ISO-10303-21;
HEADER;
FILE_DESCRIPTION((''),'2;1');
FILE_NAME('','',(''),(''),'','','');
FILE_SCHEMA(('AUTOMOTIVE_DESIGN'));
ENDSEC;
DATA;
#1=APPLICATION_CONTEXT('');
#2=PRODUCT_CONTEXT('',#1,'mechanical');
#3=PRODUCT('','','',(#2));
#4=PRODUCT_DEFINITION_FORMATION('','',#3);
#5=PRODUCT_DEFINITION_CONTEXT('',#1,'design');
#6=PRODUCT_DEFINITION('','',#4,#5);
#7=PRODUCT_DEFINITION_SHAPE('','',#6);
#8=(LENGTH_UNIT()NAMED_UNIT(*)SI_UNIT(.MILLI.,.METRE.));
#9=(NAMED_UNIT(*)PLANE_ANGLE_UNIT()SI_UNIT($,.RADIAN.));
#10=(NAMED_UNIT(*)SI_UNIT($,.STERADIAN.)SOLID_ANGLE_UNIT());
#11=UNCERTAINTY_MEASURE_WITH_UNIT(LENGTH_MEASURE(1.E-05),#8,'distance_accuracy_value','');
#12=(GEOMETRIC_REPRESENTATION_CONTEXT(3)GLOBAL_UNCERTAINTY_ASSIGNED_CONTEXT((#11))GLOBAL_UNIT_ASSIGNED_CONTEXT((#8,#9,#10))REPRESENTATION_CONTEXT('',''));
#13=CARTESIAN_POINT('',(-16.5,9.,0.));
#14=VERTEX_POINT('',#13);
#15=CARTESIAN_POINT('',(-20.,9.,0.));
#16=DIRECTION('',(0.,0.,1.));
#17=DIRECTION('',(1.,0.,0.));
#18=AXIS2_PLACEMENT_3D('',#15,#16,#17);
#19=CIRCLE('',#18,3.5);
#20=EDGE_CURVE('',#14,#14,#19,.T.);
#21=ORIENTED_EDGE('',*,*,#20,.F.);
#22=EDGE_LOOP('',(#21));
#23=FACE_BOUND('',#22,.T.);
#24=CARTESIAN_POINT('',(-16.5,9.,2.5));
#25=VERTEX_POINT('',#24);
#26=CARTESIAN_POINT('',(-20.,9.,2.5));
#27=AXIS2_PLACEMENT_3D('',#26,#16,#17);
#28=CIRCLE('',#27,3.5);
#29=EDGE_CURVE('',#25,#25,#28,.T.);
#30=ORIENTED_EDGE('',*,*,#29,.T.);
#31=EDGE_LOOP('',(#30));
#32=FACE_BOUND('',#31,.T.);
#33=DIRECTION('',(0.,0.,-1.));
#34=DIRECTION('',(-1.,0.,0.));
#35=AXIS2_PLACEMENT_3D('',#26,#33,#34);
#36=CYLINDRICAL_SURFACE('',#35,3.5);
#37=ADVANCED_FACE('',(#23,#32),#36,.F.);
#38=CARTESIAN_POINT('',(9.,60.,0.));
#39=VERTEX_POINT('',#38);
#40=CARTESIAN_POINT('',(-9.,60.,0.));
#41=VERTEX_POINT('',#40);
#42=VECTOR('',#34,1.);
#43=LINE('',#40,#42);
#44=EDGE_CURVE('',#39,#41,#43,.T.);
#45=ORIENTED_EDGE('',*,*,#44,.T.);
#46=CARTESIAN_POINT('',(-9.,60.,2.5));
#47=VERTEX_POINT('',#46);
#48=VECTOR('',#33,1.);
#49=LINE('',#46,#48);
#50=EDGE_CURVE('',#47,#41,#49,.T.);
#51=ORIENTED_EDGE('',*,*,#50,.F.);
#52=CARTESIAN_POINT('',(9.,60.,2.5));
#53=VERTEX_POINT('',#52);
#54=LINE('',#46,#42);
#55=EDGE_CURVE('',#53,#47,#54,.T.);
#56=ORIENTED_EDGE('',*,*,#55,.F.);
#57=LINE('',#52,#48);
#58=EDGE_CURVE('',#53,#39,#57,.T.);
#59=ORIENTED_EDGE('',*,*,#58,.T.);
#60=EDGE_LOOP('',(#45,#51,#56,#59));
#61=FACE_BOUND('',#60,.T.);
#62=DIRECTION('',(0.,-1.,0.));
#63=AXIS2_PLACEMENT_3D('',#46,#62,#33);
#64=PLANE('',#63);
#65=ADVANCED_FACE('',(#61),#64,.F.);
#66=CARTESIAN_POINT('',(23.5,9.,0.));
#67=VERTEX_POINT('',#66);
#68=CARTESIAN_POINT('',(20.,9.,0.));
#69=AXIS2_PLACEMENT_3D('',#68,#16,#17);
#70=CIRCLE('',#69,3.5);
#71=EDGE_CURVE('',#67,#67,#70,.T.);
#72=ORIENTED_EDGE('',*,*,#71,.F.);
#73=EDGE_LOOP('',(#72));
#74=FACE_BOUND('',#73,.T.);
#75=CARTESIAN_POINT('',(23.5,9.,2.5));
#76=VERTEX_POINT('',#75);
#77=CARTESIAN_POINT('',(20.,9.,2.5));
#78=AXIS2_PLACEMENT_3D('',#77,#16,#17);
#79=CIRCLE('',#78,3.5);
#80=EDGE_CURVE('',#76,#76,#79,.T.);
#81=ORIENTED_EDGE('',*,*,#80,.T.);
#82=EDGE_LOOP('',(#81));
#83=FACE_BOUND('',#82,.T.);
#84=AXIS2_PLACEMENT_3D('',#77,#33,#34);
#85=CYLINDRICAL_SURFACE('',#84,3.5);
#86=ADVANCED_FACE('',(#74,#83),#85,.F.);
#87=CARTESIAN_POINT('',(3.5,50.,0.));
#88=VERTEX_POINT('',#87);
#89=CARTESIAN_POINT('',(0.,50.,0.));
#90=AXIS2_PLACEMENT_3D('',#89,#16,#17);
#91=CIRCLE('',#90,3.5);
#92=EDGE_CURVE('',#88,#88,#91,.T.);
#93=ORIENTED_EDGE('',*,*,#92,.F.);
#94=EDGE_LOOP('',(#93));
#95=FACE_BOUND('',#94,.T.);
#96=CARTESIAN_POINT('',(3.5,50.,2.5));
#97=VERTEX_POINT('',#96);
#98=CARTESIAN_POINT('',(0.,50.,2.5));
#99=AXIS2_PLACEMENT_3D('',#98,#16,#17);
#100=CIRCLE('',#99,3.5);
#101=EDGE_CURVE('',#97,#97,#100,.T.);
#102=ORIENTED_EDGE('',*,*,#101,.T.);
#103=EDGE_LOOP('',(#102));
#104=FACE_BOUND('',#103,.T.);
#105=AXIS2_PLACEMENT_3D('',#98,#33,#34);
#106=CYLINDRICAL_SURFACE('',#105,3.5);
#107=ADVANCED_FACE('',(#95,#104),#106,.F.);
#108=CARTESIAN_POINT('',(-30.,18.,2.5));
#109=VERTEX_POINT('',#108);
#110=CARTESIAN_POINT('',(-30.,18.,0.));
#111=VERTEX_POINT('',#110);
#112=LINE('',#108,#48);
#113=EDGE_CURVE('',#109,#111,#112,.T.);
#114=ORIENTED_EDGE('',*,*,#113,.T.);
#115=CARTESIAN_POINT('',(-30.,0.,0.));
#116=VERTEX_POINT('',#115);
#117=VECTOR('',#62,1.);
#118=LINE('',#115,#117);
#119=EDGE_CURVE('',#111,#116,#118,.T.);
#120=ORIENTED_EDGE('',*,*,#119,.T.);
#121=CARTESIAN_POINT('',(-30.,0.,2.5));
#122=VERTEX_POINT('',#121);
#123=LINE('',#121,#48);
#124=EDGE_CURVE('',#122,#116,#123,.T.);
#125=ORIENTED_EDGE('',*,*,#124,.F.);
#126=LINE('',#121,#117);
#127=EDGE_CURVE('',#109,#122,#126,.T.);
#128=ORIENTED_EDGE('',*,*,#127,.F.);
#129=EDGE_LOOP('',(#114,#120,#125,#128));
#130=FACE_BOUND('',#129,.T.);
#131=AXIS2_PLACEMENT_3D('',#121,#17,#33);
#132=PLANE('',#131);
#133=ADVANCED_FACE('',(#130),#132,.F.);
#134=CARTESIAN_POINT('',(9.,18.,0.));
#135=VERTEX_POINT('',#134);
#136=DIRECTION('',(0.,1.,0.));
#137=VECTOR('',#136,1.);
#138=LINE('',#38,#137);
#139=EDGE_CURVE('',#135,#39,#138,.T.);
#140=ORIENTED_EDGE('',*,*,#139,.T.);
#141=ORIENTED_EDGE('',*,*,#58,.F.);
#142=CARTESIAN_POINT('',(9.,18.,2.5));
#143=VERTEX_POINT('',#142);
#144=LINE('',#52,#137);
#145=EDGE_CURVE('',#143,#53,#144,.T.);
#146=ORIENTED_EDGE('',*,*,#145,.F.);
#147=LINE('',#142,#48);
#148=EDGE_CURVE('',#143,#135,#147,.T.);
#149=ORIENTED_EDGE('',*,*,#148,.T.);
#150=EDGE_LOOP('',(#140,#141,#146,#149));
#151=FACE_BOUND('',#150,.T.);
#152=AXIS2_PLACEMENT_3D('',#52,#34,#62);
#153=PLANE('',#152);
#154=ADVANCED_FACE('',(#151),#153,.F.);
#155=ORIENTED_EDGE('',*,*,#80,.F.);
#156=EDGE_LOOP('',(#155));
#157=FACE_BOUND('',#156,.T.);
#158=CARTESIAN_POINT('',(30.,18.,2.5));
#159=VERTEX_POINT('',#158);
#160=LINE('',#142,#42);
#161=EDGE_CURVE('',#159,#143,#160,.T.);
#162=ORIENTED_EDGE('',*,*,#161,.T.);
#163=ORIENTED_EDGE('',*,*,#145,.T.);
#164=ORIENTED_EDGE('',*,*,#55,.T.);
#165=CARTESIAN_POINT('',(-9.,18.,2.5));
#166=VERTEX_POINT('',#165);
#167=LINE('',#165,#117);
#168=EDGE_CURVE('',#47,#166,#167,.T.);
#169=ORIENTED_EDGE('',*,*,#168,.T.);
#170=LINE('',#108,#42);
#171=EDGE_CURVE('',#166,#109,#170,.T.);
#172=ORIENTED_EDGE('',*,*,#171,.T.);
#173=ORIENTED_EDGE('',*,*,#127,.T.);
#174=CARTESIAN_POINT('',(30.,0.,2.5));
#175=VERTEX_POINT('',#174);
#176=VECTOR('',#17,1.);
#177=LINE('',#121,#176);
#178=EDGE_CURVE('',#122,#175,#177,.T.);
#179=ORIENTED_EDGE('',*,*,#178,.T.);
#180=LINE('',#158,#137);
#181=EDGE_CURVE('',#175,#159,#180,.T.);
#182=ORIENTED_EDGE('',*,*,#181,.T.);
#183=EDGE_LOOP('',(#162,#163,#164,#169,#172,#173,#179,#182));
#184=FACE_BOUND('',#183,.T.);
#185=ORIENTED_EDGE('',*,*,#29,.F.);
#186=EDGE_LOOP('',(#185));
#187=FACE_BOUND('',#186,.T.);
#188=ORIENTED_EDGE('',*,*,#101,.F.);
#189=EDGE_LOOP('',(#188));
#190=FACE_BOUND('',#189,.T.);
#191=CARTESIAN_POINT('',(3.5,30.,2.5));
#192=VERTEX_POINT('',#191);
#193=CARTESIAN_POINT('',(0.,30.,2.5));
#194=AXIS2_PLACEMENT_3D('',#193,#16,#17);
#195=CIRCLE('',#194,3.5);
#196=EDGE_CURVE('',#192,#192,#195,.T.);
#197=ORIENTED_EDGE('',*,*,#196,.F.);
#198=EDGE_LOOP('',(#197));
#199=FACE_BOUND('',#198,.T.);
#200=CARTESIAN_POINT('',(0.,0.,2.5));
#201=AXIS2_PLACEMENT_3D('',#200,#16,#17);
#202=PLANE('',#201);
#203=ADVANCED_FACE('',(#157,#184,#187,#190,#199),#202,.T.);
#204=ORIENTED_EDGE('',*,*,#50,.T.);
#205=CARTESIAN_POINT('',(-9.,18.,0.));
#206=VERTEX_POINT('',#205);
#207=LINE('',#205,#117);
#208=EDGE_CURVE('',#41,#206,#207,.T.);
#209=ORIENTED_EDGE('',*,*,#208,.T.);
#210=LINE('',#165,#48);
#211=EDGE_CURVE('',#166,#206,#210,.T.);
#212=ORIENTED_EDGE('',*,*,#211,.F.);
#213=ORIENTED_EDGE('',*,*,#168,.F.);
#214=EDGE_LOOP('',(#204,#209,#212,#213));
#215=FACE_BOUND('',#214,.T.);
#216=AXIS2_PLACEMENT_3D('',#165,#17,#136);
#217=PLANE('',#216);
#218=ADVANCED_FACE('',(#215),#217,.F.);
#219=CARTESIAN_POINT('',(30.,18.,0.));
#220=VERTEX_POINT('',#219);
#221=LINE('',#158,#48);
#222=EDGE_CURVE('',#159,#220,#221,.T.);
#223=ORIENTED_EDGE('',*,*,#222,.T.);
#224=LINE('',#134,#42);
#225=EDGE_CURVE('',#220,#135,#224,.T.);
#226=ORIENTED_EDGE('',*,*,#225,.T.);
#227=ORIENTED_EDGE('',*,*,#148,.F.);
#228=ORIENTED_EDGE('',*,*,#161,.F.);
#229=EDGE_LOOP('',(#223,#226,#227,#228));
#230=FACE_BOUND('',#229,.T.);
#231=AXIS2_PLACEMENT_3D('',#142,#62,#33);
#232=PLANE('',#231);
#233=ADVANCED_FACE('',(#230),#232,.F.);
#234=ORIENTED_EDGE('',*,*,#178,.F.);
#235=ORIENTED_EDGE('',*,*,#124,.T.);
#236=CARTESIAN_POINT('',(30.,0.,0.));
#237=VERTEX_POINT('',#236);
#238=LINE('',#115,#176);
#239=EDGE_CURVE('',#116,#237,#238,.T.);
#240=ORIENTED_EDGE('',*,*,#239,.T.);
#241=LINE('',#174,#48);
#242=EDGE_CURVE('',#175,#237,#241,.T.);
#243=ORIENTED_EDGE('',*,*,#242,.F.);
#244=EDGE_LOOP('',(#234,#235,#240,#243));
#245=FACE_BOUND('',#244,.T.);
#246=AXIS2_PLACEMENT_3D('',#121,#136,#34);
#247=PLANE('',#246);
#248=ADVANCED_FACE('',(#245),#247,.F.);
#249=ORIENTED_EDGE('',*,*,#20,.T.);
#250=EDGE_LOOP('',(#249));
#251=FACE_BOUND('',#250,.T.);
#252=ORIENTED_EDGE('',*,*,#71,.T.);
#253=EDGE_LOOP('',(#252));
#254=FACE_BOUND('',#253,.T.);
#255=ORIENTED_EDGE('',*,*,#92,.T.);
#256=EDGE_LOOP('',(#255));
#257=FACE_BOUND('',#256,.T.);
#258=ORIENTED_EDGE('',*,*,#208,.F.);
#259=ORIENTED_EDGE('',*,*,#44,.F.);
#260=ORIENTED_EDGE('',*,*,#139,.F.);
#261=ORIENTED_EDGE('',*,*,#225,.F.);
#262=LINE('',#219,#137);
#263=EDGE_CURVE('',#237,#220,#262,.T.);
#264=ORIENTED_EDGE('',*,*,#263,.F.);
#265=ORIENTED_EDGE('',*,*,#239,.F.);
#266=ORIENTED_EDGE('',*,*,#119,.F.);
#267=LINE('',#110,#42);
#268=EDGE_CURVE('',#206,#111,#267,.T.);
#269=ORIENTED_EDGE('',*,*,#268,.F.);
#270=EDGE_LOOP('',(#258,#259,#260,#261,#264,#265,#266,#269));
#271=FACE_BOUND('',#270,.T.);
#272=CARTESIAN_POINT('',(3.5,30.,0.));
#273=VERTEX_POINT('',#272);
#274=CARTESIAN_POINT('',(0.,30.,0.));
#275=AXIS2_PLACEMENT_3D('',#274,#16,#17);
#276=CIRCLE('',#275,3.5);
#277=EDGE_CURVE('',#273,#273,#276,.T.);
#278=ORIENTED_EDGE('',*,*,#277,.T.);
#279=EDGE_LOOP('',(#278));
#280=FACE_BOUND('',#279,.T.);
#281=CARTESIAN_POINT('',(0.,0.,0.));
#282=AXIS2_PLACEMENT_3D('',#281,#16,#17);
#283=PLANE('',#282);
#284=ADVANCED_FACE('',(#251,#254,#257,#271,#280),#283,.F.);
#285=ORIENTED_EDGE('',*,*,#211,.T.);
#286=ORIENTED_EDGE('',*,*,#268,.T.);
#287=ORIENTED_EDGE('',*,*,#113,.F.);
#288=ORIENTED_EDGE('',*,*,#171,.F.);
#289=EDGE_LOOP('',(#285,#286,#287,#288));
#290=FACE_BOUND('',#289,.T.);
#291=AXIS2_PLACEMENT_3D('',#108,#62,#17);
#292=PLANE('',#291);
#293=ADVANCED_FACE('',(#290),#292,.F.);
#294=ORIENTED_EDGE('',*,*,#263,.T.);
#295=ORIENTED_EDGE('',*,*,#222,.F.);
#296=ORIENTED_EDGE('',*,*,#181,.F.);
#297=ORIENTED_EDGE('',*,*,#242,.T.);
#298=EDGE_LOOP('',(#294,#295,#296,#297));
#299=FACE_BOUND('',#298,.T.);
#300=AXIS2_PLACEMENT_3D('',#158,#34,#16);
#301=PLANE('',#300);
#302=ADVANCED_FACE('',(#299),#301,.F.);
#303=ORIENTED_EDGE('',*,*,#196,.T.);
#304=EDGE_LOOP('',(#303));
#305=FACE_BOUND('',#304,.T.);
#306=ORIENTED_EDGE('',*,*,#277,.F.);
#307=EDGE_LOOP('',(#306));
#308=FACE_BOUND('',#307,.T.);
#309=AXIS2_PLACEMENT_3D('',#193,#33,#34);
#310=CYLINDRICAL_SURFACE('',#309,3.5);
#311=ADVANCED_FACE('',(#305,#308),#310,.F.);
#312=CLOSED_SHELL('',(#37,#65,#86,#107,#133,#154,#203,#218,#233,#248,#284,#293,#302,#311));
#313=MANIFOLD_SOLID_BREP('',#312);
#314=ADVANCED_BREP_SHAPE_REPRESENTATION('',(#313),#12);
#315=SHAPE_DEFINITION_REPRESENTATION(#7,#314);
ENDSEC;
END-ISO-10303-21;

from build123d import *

# Parameters (mm, degrees)
SKETCH_1_R      = 3.5
EXTRUDE_1_DEPTH = 2.5


with BuildPart() as part:
    # Эскиз1 → Бобышка-Вытянуть1 (new body)
    with BuildSketch(Plane.XY):
        Polygon((-30, 0), (30, 0), (30, 18), (9, 18), (9, 60), (-9, 60), (-9, 18), (-30, 18), align=None)
        with Locations((0, 50)):
            Circle(SKETCH_1_R, mode=Mode.SUBTRACT)
        with Locations((0, 30)):
            Circle(SKETCH_1_R, mode=Mode.SUBTRACT)
        with Locations((-20, 9)):
            Circle(SKETCH_1_R, mode=Mode.SUBTRACT)
        with Locations((20, 9)):
            Circle(SKETCH_1_R, mode=Mode.SUBTRACT)
    extrude(amount=EXTRUDE_1_DEPTH)


solid = part.part
